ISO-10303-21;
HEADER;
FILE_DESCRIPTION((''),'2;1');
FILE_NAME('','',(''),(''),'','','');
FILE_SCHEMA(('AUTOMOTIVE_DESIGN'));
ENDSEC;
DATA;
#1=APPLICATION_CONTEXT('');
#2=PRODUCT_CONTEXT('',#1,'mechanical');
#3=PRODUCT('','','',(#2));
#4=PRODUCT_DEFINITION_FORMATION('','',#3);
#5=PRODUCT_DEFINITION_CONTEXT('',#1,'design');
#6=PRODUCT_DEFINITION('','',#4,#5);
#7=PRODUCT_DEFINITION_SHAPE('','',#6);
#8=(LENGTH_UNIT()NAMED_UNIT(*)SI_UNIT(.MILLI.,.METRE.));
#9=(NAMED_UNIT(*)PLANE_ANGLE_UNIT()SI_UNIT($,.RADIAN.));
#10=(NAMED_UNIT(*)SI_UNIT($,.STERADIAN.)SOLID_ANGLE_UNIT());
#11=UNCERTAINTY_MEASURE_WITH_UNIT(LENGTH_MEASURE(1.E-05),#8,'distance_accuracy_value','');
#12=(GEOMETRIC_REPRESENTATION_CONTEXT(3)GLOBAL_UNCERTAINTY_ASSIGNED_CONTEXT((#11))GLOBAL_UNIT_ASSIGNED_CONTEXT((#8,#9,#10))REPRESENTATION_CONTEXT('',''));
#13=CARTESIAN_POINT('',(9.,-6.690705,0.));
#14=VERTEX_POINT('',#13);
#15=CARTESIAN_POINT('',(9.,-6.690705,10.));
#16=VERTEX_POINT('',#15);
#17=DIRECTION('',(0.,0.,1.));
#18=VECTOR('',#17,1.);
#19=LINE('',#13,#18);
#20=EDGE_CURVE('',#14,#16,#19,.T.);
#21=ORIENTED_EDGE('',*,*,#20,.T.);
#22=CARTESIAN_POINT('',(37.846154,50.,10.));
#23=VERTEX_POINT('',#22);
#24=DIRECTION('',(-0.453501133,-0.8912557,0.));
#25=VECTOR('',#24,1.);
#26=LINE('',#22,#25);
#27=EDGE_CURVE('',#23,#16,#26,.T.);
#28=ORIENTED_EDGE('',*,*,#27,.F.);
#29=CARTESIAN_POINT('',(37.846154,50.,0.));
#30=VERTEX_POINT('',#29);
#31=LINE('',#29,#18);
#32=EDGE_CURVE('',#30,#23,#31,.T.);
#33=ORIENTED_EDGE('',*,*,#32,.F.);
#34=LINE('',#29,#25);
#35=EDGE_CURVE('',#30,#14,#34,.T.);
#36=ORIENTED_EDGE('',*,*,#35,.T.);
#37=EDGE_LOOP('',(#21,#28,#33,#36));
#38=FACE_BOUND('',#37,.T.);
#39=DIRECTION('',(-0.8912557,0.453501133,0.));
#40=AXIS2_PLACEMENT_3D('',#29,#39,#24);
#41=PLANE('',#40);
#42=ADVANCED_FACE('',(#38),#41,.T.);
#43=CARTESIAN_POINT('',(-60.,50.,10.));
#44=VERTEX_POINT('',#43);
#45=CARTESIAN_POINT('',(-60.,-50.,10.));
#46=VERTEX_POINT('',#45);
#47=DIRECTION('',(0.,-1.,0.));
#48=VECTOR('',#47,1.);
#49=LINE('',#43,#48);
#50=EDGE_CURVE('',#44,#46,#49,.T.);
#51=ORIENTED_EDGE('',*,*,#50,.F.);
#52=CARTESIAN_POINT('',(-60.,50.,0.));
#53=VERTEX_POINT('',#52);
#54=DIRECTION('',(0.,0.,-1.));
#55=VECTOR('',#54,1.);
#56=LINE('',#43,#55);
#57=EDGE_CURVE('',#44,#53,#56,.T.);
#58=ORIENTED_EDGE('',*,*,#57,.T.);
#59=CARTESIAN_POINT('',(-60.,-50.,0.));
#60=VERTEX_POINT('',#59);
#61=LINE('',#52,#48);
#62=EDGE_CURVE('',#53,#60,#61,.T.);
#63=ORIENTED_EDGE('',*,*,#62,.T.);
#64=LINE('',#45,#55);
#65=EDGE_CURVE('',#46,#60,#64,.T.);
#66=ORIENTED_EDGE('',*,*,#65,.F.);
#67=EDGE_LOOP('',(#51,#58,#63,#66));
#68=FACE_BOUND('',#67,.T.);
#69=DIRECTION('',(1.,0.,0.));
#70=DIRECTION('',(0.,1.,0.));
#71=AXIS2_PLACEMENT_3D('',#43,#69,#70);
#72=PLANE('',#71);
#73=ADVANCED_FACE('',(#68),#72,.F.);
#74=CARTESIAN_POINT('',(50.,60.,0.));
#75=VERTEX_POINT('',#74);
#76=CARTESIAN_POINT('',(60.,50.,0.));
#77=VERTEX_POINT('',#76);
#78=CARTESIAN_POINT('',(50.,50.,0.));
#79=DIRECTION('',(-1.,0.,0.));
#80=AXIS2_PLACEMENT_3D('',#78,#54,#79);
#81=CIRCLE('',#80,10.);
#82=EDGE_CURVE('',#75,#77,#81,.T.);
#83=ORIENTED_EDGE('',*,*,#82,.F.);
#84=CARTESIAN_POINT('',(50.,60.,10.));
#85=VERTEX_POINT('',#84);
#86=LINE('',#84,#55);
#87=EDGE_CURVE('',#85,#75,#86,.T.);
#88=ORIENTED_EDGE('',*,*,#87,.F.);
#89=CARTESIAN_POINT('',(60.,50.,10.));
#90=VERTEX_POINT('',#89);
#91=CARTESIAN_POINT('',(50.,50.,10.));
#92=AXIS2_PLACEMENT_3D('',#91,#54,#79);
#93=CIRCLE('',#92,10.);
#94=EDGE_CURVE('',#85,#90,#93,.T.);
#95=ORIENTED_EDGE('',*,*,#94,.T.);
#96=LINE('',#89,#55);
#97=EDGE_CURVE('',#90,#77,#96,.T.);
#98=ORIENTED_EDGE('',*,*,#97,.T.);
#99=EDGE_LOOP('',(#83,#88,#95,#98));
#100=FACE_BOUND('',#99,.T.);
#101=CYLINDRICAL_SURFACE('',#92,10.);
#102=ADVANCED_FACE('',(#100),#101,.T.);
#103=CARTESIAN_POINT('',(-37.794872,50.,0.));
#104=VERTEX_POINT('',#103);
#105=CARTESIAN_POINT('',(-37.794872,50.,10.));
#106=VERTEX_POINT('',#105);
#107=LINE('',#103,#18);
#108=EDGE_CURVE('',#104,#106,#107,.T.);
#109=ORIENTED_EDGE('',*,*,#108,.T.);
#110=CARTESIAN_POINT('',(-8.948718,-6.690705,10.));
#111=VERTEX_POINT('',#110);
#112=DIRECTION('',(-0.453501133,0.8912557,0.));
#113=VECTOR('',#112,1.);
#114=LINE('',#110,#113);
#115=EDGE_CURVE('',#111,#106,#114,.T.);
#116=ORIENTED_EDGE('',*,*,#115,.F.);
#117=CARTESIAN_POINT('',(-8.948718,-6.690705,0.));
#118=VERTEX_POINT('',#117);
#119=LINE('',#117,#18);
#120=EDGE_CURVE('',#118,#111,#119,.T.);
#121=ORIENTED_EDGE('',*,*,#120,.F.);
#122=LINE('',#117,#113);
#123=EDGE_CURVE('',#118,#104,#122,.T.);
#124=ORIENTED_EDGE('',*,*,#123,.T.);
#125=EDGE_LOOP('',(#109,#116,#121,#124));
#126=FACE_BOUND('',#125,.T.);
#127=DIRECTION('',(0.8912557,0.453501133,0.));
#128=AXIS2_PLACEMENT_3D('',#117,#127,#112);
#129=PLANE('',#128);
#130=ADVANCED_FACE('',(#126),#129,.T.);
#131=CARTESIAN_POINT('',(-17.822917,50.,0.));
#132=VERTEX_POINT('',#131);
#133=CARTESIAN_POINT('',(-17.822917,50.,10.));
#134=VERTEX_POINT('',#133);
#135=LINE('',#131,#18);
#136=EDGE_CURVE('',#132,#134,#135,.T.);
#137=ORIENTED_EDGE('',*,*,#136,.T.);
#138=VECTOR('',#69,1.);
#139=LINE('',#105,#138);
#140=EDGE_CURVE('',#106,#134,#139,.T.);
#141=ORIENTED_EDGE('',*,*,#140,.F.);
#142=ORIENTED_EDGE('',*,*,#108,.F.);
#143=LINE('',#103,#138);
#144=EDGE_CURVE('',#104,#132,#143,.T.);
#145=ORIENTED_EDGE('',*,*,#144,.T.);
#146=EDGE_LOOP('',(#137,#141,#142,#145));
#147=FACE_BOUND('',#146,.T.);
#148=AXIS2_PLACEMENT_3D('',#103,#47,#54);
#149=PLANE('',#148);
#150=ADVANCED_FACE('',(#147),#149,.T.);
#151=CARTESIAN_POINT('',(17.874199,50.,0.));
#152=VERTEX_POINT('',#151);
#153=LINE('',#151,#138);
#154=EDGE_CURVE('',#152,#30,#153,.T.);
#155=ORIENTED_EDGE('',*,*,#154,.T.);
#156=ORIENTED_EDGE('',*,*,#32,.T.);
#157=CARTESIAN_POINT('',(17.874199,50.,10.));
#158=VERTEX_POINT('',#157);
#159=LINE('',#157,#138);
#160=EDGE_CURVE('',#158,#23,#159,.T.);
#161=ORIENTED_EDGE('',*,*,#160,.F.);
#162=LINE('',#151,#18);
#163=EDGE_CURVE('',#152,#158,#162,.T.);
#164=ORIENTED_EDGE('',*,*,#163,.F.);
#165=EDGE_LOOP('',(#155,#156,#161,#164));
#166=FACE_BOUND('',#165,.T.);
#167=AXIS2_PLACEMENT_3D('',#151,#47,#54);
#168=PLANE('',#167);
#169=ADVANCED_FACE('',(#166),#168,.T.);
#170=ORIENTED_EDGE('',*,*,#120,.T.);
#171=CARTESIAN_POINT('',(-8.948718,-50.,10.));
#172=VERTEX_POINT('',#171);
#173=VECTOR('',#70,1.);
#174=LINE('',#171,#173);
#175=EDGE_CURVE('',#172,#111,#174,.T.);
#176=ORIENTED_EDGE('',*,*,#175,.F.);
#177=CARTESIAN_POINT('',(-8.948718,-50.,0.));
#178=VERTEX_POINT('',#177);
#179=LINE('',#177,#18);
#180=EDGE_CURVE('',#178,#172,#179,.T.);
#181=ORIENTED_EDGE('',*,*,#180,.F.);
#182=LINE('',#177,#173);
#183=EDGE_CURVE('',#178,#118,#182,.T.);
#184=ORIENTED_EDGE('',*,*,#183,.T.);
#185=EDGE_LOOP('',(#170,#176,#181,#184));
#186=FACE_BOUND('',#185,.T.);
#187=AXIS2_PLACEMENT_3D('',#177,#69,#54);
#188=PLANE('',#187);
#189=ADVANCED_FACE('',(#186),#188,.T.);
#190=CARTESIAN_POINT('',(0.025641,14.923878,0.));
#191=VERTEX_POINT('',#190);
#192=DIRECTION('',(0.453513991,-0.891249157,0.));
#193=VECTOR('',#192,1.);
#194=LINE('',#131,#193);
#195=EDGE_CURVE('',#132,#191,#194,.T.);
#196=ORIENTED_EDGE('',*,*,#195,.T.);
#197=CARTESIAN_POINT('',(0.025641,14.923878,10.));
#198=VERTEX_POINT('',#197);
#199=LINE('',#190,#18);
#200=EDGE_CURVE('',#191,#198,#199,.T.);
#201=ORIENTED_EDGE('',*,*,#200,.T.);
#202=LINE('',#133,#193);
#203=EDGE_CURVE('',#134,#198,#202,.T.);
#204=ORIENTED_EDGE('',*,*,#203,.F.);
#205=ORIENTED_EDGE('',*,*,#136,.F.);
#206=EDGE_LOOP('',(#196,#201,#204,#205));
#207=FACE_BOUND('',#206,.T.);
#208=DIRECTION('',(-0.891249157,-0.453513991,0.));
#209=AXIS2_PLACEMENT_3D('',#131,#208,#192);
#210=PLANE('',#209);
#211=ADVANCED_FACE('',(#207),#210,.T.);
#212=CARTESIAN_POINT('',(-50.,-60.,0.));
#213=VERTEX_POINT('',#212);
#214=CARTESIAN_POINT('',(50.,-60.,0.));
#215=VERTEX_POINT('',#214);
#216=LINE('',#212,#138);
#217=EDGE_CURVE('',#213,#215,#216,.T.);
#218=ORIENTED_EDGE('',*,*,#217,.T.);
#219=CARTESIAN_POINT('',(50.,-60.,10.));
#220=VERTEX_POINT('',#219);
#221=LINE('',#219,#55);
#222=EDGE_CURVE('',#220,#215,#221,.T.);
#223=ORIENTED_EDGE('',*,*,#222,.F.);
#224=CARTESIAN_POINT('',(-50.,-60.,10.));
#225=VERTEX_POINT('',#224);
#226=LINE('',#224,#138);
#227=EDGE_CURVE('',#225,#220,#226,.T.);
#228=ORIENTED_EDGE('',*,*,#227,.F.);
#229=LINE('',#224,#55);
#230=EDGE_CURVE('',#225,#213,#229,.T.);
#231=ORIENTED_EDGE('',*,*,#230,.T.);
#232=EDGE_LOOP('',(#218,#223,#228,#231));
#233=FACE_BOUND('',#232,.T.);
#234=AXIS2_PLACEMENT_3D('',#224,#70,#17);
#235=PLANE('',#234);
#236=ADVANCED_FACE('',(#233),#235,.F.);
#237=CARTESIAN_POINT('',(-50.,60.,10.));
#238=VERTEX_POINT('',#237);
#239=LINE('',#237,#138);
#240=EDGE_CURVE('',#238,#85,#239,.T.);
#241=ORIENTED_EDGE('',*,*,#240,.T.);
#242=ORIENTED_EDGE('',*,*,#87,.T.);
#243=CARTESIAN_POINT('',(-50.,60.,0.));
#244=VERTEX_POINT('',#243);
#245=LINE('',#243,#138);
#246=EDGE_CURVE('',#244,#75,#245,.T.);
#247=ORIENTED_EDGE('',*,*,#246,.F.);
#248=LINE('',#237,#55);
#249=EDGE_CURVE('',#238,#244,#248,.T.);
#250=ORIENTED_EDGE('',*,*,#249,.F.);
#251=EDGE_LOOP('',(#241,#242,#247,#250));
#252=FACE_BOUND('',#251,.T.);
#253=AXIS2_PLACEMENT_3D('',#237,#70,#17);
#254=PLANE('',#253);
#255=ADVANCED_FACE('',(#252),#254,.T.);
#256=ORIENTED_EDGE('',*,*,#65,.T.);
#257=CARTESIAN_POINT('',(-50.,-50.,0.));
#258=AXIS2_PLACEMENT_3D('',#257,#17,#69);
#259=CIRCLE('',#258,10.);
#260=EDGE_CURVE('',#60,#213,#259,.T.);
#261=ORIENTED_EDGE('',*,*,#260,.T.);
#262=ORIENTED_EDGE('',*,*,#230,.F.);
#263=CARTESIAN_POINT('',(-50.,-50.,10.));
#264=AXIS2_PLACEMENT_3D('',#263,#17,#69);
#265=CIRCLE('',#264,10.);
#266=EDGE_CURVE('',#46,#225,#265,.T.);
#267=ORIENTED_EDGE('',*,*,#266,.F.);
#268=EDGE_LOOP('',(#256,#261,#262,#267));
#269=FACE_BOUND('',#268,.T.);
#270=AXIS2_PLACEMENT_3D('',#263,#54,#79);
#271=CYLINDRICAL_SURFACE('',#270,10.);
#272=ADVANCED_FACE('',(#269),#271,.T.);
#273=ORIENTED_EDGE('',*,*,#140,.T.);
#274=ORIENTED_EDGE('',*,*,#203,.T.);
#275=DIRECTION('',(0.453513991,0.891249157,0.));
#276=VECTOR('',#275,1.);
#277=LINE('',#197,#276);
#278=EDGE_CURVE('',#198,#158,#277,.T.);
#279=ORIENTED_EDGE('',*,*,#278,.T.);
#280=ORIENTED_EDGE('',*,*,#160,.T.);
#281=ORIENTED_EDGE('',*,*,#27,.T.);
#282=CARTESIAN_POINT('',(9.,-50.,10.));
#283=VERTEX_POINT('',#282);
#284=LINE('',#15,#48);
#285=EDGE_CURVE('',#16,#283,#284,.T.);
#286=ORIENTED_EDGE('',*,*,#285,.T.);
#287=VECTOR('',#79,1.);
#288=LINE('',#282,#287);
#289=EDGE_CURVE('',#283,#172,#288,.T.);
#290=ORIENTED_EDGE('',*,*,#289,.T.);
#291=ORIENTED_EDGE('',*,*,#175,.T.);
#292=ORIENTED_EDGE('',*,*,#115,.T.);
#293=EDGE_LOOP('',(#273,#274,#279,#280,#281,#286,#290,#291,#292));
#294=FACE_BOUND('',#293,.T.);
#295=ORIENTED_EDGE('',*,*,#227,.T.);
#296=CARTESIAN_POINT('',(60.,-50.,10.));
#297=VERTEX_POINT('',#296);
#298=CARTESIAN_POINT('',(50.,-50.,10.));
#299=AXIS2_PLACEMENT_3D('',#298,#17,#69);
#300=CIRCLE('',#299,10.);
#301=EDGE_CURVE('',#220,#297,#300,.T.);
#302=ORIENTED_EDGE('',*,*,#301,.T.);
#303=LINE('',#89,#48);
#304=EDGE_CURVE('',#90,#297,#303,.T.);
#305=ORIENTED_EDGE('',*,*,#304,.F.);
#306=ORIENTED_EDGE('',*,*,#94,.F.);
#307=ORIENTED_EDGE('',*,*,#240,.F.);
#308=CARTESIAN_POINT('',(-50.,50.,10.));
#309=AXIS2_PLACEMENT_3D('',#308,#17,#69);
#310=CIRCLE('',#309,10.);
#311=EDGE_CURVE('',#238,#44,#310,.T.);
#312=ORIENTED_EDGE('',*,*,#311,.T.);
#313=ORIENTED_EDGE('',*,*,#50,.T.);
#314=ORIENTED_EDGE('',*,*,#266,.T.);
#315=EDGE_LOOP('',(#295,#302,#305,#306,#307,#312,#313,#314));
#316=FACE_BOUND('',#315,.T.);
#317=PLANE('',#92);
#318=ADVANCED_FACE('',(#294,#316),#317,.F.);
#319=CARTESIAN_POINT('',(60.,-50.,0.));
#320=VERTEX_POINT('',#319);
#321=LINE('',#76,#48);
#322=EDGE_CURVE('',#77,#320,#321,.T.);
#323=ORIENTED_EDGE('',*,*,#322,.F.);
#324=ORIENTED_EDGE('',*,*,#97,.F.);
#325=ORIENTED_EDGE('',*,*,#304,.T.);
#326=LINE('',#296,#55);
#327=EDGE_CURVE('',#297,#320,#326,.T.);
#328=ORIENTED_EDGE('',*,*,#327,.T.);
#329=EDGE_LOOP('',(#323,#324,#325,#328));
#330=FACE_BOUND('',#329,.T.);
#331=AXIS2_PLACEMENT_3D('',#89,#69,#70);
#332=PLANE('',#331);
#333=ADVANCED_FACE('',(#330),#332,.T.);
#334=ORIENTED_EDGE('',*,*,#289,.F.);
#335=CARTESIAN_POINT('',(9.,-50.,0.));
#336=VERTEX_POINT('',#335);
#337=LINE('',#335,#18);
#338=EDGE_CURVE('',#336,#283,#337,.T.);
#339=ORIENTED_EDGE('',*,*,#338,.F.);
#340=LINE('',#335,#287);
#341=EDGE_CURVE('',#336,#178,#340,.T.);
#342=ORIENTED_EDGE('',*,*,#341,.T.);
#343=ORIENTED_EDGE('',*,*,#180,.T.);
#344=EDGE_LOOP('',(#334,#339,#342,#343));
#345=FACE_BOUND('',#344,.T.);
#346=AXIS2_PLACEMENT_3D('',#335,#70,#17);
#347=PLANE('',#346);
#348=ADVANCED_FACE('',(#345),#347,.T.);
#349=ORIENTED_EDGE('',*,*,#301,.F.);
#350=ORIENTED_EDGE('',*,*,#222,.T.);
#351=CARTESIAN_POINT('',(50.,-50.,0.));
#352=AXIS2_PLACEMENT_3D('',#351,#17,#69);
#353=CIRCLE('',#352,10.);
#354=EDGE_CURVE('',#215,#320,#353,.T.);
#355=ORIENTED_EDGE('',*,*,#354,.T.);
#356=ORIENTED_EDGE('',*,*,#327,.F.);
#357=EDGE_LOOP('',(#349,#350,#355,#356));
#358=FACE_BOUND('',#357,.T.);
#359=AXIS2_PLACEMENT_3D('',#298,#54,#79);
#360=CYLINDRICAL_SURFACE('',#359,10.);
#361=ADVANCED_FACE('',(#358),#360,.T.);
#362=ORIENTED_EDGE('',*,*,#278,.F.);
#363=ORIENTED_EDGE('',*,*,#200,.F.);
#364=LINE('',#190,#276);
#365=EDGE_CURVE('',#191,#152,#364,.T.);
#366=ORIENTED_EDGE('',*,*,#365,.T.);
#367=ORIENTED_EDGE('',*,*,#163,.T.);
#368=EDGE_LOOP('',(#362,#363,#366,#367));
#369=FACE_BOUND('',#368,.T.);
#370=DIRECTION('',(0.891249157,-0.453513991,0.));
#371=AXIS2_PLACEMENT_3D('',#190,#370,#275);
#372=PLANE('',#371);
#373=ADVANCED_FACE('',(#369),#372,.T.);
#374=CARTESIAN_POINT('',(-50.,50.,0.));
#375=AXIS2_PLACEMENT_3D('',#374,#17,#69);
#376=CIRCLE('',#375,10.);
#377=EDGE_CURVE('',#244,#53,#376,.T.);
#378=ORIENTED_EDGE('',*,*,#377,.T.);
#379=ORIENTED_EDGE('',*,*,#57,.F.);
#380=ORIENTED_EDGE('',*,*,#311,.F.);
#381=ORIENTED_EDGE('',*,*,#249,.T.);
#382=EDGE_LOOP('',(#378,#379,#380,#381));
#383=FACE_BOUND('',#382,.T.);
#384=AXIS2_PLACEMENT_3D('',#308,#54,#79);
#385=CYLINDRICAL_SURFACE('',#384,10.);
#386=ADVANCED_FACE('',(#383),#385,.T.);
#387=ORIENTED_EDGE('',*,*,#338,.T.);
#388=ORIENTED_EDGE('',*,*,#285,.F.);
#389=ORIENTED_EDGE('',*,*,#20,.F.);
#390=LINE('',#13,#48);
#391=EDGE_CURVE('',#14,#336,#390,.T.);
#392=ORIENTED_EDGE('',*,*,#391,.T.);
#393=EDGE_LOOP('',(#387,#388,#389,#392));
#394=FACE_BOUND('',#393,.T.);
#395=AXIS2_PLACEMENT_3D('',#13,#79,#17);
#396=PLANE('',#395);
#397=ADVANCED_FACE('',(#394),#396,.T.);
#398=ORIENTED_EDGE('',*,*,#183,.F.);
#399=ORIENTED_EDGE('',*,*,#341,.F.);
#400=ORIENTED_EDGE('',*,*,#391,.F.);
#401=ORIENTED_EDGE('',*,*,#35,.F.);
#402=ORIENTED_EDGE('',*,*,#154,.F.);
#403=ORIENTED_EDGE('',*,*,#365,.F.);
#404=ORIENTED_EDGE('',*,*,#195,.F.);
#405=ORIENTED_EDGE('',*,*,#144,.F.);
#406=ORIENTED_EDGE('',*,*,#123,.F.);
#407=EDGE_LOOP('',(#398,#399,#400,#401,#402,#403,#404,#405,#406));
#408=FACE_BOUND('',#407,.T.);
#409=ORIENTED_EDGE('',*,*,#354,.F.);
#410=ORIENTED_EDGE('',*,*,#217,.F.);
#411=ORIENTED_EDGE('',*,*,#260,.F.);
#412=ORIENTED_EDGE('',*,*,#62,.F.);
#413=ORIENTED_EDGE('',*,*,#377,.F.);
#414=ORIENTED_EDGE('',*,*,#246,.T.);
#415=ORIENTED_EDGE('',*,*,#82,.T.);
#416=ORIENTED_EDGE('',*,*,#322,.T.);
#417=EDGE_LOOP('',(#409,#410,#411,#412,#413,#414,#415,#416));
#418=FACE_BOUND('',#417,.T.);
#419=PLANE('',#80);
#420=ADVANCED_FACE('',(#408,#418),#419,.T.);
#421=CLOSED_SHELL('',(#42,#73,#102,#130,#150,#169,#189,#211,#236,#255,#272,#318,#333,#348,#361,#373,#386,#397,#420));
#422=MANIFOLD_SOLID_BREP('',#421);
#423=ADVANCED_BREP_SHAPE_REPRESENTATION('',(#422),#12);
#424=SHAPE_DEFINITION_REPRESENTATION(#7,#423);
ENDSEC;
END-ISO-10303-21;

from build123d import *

# Parameters (mm, degrees)
BOSS_EXTRUDE1_DEPTH = 10
CUT_EXTRUDE38_DEPTH = 10


with BuildPart() as part:
    # Sketch1 → Boss-Extrude1 (new body)
    with BuildSketch(Plane.XY):
        with BuildLine():
            Line((-50, 60), (50, 60))
            ThreePointArc((50, 60), (57.071067812, 57.071067812), (60, 50))
            Line((60, 50), (60, -50))
            ThreePointArc((60, -50), (57.071067812, -57.071067812), (50, -60))
            Line((50, -60), (-50, -60))
            ThreePointArc((-50, -60), (-57.071067812, -57.071067812), (-60, -50))
            Line((-60, -50), (-60, 50))
            ThreePointArc((-60, 50), (-57.071067812, 57.071067812), (-50, 60))
        make_face()
    extrude(amount=BOSS_EXTRUDE1_DEPTH)

    # Sketch2 → Cut-Extrude38 (cut)
    with BuildSketch(Plane.XY.offset(10)):
        Polygon((-37.794871795, 50), (-17.822916667, 50), (0.025641026, 14.923878205), (17.874198718, 50), (37.846153846, 50), (9, -6.690705128), (9, -50), (-8.948717949, -50), (-8.948717949, -6.690705128), align=None)
    extrude(amount=-CUT_EXTRUDE38_DEPTH, mode=Mode.SUBTRACT)


solid = part.part
